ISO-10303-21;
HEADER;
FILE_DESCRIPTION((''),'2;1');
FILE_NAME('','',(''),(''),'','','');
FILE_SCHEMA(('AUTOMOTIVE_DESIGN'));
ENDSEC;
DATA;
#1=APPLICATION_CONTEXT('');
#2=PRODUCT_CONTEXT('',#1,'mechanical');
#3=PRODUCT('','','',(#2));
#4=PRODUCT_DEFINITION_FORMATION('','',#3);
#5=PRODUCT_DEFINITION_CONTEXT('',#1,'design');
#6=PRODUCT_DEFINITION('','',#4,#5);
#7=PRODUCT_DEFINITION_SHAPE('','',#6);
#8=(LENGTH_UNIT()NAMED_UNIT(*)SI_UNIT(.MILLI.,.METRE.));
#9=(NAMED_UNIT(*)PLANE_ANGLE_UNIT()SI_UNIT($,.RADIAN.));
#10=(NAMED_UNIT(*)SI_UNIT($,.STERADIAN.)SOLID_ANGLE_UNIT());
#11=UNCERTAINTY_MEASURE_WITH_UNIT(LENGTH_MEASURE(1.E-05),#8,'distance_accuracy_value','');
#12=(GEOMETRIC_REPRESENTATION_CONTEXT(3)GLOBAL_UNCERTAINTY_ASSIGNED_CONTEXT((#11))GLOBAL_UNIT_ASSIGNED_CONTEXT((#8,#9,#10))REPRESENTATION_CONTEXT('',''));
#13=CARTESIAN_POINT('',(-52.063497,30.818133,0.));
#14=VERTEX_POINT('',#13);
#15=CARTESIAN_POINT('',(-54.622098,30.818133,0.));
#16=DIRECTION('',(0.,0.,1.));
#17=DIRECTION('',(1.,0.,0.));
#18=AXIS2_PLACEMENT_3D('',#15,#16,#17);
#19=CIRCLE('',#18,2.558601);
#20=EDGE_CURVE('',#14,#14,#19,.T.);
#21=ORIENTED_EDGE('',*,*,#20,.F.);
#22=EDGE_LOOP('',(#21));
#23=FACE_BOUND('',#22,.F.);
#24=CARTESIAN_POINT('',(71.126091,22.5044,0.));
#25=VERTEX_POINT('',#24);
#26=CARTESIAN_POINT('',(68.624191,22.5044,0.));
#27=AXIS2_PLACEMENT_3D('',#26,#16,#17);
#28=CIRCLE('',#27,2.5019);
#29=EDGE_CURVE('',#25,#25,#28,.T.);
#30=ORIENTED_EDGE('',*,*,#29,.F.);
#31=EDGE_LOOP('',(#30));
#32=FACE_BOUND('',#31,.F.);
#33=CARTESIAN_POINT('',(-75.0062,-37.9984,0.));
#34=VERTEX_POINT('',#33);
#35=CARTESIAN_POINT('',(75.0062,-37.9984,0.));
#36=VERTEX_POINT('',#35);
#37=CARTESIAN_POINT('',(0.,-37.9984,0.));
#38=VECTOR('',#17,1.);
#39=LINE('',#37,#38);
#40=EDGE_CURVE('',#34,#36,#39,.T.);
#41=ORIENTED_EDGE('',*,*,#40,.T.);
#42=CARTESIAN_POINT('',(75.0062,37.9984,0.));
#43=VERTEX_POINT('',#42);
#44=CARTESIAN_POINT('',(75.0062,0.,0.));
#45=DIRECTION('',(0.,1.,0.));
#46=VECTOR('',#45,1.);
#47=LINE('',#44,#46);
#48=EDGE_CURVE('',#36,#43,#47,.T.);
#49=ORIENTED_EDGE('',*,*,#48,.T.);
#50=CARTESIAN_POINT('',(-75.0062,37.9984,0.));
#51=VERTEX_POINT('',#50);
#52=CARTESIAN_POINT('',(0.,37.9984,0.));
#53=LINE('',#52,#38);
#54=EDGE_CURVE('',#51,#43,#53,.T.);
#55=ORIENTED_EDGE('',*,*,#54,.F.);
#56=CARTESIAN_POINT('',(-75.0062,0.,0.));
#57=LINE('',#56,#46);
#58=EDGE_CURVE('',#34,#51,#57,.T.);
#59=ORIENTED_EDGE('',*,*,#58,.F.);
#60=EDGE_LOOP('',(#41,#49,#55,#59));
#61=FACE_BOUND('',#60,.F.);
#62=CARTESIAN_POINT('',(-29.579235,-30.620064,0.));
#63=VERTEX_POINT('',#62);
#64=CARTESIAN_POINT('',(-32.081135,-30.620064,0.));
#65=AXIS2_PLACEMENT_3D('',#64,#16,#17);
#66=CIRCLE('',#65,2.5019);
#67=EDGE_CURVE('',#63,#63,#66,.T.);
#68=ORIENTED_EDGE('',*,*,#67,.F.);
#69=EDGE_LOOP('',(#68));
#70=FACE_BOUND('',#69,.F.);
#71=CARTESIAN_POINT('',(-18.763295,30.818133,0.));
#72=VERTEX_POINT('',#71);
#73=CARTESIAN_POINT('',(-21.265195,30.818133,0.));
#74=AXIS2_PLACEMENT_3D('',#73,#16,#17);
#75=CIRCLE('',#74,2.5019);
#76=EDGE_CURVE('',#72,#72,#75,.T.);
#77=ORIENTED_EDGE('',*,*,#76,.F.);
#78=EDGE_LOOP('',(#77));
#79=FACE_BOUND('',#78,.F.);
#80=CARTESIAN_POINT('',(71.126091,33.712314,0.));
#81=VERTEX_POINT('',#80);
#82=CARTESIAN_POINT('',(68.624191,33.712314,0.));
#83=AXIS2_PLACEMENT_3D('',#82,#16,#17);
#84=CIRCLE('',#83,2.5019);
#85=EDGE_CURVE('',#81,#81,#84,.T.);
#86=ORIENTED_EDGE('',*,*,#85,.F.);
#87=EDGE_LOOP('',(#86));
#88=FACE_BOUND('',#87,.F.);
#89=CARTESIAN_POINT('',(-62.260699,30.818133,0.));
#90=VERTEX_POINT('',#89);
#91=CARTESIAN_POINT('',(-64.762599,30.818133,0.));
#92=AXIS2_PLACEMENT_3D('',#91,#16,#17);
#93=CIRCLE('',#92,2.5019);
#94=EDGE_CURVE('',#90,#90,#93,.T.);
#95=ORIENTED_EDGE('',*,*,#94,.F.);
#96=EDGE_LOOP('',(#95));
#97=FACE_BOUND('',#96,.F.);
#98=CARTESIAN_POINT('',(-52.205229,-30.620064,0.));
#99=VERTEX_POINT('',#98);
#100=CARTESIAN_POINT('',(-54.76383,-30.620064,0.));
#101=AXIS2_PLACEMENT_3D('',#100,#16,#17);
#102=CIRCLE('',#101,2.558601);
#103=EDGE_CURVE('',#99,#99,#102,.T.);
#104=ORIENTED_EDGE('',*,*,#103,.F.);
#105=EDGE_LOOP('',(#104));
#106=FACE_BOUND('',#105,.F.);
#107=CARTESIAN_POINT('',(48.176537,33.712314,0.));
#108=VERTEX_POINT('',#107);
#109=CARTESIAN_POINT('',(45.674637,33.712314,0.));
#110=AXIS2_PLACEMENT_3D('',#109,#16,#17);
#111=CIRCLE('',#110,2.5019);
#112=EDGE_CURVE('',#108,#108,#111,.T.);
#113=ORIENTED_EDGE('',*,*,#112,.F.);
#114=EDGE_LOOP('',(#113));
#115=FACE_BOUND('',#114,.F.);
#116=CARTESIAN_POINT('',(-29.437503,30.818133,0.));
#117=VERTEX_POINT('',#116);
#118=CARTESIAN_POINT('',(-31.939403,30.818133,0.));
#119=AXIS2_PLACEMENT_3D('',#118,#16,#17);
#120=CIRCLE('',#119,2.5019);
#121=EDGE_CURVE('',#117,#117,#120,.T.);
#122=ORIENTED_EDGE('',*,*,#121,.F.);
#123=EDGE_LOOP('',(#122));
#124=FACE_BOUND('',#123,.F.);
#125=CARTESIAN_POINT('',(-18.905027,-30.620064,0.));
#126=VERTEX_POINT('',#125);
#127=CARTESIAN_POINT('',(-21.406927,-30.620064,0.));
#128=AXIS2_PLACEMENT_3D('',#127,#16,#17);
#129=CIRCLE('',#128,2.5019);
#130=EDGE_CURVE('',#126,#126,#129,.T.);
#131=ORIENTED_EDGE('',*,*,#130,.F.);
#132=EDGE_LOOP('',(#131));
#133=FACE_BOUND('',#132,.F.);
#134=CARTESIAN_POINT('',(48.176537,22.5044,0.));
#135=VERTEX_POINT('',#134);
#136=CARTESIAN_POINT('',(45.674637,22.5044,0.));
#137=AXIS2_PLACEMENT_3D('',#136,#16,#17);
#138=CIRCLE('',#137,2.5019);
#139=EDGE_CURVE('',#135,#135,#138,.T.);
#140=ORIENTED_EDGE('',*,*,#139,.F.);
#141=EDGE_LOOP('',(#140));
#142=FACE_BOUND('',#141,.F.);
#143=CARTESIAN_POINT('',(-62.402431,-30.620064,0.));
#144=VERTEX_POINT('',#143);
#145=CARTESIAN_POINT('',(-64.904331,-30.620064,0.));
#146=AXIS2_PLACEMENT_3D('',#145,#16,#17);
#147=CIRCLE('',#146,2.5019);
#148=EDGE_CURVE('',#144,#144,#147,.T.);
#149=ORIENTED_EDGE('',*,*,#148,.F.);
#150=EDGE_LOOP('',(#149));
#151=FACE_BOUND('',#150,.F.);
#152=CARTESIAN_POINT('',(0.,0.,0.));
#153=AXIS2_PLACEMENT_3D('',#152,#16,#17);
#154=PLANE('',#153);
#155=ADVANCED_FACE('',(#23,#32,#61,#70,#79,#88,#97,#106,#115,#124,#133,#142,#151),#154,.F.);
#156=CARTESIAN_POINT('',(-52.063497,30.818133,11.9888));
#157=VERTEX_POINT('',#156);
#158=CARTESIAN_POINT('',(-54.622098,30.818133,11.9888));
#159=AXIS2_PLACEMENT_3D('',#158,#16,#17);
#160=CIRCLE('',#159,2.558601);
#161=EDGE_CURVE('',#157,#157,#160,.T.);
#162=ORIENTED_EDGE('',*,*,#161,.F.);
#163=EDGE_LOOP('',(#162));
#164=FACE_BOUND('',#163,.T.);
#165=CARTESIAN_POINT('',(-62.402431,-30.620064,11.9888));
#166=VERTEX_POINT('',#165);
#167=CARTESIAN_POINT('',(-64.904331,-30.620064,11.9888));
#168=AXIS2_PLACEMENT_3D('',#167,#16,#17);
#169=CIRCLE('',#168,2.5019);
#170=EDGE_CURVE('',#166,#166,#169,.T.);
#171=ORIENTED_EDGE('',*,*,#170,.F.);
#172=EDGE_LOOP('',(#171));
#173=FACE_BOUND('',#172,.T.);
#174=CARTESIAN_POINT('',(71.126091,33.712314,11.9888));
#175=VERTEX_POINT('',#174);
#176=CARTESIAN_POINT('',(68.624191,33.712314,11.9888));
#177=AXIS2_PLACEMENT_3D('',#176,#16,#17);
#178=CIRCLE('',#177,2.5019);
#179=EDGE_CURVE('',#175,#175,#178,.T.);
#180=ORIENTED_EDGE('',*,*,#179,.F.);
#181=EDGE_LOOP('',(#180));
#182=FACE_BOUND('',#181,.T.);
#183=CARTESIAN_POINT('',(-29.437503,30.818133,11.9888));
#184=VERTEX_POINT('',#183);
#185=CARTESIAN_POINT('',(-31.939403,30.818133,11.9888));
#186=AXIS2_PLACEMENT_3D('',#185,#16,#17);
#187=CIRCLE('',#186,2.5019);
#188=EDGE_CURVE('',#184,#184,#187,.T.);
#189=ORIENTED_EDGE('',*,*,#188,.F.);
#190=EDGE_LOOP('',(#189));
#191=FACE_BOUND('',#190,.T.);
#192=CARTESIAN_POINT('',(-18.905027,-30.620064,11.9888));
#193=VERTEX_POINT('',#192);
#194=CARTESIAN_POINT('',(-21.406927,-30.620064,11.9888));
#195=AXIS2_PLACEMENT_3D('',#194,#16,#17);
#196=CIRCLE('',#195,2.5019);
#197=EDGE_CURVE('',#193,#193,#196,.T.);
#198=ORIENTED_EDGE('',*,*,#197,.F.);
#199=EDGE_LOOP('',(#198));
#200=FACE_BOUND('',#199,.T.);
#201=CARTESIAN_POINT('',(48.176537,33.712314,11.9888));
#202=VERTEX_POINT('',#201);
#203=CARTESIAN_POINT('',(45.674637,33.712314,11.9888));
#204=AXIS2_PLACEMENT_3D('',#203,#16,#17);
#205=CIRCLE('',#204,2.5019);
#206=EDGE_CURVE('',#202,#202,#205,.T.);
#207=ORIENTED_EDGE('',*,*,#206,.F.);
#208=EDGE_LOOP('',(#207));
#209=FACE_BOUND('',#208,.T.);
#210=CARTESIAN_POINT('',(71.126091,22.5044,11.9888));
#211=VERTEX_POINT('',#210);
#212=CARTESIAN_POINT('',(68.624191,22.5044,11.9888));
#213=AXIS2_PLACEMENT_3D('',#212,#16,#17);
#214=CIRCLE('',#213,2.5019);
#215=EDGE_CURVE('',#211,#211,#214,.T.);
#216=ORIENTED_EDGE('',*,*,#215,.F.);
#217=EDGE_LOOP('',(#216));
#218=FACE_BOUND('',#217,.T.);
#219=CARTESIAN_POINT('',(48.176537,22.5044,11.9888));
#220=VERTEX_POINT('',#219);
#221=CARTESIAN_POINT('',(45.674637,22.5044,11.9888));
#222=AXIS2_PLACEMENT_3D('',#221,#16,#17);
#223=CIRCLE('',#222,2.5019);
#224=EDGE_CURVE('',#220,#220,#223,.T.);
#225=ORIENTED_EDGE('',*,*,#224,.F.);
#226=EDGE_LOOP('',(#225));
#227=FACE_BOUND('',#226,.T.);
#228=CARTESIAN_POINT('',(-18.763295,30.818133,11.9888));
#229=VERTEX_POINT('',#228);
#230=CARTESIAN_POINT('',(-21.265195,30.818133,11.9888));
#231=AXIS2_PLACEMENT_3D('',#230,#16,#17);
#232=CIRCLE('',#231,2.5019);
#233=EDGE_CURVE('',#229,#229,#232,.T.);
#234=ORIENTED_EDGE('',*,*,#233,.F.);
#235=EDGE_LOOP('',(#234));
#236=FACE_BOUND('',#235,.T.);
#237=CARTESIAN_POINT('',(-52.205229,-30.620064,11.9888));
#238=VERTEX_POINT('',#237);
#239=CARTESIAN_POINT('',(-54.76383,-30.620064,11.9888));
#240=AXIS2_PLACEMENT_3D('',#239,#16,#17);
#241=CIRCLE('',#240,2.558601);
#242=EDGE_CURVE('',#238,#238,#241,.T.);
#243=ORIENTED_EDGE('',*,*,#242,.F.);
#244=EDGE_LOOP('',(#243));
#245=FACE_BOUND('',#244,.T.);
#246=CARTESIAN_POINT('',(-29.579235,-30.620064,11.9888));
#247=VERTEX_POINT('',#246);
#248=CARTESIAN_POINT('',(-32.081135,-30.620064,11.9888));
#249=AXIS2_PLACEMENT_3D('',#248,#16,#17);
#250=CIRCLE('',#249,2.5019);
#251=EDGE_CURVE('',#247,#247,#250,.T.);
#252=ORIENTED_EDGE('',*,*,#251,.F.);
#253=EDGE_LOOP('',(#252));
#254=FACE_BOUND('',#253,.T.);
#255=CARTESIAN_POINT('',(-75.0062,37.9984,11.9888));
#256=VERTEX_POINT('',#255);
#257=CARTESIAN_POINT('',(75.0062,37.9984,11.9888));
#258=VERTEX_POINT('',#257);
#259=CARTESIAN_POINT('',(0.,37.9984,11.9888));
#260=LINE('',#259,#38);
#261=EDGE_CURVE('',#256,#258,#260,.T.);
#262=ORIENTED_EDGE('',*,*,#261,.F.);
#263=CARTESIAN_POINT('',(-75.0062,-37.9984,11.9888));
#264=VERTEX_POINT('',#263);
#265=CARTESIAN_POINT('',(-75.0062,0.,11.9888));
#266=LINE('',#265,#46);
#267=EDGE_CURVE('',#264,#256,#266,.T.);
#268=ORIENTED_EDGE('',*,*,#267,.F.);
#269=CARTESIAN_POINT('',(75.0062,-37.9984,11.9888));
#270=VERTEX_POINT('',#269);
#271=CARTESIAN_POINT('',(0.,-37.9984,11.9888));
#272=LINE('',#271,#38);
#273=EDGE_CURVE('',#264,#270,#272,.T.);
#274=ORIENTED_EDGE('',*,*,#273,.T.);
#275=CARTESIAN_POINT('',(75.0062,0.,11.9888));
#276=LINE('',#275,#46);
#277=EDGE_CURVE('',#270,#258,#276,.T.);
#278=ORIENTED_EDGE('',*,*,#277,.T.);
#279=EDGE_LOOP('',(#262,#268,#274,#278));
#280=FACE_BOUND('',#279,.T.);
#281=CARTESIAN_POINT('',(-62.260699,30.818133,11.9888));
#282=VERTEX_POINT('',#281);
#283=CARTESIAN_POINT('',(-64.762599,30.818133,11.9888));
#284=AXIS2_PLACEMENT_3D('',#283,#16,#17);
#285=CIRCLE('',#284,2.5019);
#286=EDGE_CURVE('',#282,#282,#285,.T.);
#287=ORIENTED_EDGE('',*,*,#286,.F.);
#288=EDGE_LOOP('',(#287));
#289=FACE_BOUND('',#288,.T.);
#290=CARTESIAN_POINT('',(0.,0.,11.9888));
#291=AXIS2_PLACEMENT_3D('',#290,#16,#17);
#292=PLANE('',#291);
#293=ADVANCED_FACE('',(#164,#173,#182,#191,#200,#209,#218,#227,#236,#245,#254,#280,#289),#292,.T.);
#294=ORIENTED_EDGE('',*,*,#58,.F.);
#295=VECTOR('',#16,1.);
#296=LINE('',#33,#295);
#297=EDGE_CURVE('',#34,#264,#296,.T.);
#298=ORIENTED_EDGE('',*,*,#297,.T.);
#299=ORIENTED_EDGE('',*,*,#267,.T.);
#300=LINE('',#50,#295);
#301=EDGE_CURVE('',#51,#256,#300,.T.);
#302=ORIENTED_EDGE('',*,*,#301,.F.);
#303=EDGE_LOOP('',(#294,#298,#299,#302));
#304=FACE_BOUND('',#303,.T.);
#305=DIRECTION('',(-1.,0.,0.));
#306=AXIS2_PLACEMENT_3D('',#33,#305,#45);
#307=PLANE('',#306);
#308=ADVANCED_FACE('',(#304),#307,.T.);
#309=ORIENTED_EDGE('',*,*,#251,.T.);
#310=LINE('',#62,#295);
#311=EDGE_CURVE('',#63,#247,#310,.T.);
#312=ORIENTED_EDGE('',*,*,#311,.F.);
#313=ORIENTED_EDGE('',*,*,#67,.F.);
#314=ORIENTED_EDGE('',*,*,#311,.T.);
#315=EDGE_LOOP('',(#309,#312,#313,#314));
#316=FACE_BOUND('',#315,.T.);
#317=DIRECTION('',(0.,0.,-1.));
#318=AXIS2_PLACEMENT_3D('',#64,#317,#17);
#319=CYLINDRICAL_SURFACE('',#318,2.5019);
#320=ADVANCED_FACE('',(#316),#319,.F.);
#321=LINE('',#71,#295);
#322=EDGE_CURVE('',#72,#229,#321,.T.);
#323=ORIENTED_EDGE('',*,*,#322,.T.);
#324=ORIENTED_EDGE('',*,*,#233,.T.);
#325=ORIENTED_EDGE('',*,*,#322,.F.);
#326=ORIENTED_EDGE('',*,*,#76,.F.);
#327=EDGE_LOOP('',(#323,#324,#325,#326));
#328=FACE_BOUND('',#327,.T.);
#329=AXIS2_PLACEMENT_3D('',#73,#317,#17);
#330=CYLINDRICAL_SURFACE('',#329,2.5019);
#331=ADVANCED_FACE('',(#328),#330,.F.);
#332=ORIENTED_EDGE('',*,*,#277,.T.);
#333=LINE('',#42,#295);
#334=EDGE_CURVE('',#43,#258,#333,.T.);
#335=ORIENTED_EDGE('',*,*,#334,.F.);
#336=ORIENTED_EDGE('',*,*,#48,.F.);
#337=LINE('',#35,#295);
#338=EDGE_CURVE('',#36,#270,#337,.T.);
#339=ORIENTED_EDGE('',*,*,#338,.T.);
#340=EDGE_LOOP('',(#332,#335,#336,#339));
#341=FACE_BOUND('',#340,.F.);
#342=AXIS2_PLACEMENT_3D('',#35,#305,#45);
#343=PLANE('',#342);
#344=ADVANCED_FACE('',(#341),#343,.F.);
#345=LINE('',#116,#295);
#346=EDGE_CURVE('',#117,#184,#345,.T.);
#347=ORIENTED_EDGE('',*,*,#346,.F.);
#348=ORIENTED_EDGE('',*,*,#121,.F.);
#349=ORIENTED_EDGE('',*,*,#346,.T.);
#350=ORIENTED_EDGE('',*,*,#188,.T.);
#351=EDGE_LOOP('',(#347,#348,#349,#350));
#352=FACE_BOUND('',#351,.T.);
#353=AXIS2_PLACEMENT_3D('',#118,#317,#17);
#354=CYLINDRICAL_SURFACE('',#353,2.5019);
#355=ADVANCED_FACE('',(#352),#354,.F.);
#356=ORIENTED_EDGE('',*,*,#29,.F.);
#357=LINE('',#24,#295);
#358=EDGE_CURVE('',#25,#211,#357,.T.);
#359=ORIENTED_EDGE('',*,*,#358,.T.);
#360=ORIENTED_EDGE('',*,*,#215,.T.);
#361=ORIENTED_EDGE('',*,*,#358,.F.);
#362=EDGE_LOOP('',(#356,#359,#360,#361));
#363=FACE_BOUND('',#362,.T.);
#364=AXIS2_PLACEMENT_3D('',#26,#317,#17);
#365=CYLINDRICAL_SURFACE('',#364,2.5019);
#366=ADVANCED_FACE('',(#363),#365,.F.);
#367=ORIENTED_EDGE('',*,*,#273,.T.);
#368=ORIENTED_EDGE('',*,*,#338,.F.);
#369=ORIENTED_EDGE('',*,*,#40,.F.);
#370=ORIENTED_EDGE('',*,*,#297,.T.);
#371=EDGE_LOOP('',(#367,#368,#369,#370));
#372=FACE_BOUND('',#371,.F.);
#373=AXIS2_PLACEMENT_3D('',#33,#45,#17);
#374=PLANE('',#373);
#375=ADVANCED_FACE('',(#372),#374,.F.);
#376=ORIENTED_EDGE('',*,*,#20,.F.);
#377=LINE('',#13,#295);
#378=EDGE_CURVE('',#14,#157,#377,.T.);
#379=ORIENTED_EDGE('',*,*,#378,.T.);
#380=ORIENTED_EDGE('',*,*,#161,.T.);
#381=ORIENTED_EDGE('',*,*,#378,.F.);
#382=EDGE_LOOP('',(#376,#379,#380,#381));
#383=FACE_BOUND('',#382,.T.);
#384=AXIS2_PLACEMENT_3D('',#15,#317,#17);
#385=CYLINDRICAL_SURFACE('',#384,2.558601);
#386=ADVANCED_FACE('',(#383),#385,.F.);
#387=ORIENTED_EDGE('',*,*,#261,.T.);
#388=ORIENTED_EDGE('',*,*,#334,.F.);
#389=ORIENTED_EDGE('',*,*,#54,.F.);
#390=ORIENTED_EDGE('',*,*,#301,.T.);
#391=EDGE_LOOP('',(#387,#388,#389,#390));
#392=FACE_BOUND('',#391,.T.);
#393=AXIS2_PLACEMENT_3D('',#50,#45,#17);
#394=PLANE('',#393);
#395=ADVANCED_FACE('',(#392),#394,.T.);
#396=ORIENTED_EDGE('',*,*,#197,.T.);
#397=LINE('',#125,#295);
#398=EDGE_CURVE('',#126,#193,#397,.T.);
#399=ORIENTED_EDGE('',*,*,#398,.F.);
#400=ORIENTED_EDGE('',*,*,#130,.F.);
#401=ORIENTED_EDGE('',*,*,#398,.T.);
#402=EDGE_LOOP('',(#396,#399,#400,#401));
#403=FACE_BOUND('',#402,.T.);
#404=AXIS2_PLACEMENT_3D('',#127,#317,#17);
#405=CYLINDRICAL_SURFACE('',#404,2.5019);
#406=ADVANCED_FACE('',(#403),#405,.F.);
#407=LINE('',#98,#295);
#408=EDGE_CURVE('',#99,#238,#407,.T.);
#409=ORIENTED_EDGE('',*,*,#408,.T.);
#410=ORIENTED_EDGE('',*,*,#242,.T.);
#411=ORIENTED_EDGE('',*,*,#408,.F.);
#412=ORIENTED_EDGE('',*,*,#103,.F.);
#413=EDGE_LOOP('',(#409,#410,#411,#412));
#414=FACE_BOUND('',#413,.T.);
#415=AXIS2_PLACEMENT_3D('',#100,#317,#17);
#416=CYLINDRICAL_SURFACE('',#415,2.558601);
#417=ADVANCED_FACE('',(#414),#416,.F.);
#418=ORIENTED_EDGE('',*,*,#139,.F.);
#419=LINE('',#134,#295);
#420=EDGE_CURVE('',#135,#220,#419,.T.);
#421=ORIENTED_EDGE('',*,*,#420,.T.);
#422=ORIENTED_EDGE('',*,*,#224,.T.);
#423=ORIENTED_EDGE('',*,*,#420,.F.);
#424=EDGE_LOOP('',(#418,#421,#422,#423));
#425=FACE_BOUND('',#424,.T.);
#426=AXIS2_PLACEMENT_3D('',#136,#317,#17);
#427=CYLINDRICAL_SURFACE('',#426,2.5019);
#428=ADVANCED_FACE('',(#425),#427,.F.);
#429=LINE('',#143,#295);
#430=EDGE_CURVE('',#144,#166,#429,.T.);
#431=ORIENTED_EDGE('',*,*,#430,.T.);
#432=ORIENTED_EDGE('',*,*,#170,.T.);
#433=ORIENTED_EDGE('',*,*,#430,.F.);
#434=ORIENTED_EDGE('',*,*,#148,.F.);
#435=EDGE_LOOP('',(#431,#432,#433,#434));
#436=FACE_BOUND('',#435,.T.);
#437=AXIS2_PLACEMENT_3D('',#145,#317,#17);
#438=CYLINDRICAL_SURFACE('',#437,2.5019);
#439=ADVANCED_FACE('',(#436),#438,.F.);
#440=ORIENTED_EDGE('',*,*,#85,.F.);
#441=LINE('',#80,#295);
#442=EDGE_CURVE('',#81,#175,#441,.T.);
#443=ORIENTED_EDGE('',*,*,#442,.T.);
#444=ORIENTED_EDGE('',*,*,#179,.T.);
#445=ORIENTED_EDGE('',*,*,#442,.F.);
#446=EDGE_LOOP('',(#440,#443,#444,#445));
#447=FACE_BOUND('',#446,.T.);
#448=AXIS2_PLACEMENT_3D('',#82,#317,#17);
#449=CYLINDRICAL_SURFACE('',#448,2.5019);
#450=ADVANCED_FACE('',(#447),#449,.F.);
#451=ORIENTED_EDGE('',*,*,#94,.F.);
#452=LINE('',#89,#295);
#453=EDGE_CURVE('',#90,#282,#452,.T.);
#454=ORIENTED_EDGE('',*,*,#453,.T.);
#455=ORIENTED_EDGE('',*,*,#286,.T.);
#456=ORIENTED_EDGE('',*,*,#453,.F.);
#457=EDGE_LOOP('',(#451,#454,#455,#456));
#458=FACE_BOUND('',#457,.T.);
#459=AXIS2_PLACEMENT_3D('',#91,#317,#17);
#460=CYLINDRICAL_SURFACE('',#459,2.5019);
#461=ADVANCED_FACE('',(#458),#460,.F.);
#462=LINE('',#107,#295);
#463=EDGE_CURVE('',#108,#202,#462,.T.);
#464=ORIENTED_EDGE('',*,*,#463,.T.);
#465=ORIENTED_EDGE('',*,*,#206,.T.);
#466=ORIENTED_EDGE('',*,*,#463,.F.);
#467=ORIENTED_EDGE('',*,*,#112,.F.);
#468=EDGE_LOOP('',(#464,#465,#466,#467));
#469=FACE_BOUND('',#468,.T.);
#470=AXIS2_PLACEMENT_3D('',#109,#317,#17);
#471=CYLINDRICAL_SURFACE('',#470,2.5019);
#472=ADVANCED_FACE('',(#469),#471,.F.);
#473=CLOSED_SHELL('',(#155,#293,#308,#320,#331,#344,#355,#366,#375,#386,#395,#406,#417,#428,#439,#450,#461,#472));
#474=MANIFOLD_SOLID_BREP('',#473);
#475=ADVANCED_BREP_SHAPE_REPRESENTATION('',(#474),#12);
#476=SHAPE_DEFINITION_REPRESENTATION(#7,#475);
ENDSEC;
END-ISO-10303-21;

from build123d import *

# Parameters (mm, degrees)
F0_W     = 150.0124
F0_H     = 75.9968
F0_R     = 2.5019
F0_R_2   = 2.558601
F1_DEPTH = 11.9888


with BuildPart() as f1:
    # F0 (on Top) → F1 (new body)
    with BuildSketch(Plane.XY):
        Rectangle(F0_W, F0_H)
        with Locations((-64.904331, -30.620064)):
            Circle(F0_R, mode=Mode.SUBTRACT)
        with Locations((-54.76383, -30.620064)):
            Circle(F0_R_2, mode=Mode.SUBTRACT)
        with Locations((-32.081135, -30.620064)):
            Circle(F0_R, mode=Mode.SUBTRACT)
        with Locations((-21.406927, -30.620064)):
            Circle(F0_R, mode=Mode.SUBTRACT)
        with Locations((-64.762599, 30.818133)):
            Circle(F0_R, mode=Mode.SUBTRACT)
        with Locations((-54.622098, 30.818133)):
            Circle(F0_R_2, mode=Mode.SUBTRACT)
        with Locations((-31.939403, 30.818133)):
            Circle(F0_R, mode=Mode.SUBTRACT)
        with Locations((-21.265195, 30.818133)):
            Circle(F0_R, mode=Mode.SUBTRACT)
        with Locations((45.674637, 22.5044)):
            Circle(F0_R, mode=Mode.SUBTRACT)
        with Locations((68.624191, 22.5044)):
            Circle(F0_R, mode=Mode.SUBTRACT)
        with Locations((45.674637, 33.712314)):
            Circle(F0_R, mode=Mode.SUBTRACT)
        with Locations((68.624191, 33.712314)):
            Circle(F0_R, mode=Mode.SUBTRACT)
    extrude(amount=F1_DEPTH)


solid = f1.part
